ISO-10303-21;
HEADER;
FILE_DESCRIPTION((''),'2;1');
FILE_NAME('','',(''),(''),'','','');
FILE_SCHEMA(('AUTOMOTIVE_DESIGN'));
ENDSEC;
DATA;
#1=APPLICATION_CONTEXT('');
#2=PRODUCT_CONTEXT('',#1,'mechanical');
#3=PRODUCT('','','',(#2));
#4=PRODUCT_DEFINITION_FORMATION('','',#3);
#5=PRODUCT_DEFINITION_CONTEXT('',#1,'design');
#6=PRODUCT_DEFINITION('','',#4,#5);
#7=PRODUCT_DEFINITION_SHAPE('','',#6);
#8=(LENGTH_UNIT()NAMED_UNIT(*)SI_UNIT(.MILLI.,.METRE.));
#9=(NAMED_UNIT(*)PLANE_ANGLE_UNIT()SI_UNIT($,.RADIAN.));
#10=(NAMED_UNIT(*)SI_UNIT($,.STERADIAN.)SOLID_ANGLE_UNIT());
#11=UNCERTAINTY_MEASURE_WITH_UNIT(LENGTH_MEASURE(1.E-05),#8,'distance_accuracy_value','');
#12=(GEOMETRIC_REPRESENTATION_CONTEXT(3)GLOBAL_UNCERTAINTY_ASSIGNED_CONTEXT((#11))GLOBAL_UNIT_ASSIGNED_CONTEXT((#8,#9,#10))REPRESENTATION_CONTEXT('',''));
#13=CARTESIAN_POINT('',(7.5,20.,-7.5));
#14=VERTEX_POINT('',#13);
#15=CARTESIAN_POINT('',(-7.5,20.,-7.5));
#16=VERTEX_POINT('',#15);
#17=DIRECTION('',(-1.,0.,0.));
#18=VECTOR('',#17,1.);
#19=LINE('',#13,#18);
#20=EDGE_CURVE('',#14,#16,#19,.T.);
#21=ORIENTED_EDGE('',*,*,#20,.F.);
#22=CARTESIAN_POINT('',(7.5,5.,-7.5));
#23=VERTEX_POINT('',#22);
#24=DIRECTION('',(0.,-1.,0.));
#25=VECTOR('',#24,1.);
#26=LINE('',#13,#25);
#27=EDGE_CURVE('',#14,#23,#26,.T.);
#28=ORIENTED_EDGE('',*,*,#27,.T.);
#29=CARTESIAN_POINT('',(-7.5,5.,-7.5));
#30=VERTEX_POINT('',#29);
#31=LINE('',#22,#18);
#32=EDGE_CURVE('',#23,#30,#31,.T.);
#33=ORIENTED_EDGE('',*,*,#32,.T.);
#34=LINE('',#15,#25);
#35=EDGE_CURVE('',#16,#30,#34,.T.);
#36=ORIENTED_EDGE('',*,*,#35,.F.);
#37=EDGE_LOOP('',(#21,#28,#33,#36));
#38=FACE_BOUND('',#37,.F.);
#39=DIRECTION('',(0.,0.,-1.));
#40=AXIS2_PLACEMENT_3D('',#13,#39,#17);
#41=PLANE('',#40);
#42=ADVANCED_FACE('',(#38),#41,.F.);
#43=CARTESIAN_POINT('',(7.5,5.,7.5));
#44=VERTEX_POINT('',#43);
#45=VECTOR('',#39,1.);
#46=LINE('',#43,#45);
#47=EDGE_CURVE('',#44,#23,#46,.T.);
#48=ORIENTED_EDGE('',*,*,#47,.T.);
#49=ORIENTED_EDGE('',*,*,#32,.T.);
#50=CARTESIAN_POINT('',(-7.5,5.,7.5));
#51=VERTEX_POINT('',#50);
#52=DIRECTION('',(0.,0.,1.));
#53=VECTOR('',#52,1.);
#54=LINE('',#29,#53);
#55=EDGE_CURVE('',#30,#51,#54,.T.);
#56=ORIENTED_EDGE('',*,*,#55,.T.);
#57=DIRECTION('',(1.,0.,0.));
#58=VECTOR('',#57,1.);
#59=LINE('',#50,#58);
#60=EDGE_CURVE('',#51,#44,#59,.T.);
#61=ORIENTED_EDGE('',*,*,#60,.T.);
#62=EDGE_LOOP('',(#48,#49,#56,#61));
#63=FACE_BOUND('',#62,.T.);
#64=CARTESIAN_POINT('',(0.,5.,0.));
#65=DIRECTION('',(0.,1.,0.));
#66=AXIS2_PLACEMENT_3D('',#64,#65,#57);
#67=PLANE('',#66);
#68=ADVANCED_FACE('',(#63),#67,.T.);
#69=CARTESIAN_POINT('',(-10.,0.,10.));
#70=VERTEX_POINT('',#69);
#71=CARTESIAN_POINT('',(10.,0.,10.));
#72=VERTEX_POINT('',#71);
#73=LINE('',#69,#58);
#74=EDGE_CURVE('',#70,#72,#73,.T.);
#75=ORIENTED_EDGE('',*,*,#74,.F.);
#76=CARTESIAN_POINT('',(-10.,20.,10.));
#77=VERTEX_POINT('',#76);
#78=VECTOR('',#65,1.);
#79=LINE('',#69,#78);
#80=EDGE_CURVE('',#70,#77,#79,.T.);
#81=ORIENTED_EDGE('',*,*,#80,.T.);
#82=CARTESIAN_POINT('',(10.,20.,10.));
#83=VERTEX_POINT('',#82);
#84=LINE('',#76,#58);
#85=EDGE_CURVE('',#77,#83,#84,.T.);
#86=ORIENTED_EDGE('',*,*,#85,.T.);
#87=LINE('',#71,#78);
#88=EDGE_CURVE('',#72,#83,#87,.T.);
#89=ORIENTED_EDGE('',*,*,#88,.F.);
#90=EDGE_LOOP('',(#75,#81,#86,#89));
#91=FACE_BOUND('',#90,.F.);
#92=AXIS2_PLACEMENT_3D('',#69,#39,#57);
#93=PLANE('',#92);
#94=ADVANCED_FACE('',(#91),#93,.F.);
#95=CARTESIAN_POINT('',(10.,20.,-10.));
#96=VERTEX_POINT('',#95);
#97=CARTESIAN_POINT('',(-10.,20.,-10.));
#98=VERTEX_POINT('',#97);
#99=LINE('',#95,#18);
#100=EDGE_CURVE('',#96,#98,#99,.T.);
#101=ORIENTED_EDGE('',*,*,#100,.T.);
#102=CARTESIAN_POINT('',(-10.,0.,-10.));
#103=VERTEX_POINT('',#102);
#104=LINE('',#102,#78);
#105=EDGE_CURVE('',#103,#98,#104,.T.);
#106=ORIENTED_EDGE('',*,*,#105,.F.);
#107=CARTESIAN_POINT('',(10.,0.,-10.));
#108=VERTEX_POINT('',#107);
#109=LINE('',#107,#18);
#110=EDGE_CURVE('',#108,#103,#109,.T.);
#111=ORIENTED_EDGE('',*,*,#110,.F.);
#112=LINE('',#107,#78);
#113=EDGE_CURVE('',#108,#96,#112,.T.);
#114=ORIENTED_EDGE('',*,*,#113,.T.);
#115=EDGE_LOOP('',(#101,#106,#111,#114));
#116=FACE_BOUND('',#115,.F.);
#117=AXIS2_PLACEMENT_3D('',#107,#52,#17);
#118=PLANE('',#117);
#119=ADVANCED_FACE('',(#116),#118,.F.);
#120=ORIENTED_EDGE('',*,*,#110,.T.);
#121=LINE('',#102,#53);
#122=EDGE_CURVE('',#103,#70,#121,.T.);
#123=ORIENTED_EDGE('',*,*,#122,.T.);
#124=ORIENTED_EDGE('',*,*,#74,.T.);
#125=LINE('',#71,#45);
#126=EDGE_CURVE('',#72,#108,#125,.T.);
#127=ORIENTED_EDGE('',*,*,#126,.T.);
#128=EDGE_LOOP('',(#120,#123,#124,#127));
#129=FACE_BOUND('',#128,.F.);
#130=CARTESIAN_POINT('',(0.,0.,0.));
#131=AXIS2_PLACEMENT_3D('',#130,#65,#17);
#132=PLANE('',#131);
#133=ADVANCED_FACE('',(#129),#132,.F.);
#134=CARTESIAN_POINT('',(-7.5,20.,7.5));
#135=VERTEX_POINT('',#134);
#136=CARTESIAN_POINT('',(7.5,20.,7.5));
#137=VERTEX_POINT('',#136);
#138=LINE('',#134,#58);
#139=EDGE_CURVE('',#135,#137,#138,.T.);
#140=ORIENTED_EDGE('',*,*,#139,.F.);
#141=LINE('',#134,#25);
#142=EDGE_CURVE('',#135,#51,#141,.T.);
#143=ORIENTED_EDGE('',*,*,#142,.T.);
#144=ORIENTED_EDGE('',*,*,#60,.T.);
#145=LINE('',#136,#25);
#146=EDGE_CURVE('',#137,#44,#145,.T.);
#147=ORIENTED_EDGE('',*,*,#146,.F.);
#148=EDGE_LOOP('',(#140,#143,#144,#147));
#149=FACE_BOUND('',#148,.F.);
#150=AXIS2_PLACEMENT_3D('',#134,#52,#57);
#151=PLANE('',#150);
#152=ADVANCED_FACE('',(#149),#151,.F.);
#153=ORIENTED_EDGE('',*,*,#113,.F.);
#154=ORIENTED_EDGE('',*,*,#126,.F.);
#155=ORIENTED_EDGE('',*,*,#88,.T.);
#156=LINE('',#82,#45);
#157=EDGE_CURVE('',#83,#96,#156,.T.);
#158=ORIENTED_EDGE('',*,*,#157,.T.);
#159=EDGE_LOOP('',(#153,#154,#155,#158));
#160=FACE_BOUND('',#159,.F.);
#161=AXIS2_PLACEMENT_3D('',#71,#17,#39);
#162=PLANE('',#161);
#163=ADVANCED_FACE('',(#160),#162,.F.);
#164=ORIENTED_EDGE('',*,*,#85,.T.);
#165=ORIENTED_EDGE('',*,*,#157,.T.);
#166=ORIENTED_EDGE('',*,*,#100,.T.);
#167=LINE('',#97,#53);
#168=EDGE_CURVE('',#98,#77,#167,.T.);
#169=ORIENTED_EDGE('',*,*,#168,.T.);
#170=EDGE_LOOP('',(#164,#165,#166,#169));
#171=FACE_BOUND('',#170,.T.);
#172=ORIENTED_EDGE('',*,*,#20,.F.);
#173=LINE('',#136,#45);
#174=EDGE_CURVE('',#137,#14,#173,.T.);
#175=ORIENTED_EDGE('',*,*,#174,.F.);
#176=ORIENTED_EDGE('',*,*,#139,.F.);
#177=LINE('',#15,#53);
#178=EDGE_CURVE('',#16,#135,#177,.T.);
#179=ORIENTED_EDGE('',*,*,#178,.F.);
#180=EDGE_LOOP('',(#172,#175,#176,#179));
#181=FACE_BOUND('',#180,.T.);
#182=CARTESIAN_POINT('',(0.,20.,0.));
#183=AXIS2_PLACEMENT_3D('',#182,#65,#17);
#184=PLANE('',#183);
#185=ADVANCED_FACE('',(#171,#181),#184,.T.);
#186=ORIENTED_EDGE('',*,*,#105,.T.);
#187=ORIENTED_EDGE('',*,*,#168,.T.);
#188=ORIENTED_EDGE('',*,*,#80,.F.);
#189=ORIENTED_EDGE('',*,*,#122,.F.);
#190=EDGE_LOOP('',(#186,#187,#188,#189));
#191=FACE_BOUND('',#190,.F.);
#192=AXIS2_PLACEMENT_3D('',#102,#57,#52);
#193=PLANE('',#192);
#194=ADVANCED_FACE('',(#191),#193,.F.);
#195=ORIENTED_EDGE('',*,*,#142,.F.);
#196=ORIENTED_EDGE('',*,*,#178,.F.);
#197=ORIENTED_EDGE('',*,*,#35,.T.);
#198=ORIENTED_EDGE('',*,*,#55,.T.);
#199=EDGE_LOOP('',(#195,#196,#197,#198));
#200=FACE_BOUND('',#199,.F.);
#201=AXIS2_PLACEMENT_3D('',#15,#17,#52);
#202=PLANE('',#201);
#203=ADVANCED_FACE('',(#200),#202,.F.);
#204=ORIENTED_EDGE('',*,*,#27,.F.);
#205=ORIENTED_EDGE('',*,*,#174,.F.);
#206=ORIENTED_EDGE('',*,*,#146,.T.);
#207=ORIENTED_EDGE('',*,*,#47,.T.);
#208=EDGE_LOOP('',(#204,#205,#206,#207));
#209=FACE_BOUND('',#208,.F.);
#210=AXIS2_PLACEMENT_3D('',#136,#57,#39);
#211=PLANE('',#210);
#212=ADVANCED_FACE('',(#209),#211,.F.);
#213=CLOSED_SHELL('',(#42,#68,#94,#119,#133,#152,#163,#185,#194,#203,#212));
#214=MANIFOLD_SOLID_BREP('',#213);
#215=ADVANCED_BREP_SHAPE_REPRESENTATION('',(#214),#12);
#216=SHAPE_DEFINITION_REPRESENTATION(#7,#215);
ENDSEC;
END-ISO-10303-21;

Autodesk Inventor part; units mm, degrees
ref_plane "YZ Plane" through (0, 0, 0) normal (1, 0, 0) x (0, 1, 0)
ref_plane "XZ Plane" through (0, 0, 0) normal (0, 1, 0) x (-1, 0, 0)
ref_plane "XY Plane" through (0, 0, 0) normal (0, 0, 1) x (1, 0, 0)
sketch "Sketch1" plane through (0, 0, 0) normal (0, 1, 0) x (-1, 0, 0)
  line L0 (-10, -10) -> (10, -10)
  line L1 (10, -10) -> (10, 10)
  line L2 (10, 10) -> (-10, 10)
  line L3 (-10, 10) -> (-10, -10)
  line L4 (-10, -10) -> (10, 10) construction
  line L5 (10, -10) -> (-10, 10) construction
  point P0 (0, 0)
  dimension "d0" = 20
  dimension "d1" = 20
extrude "Extrusion1" add sketch "Sketch1" along normal blind 20
sketch "Sketch2" plane through (0, 20, 0) normal (0, 1, 0) x (1, 0, 0)
  line L0 (7.5, 7.5) -> (-7.5, 7.5)
  line L1 (-7.5, 7.5) -> (-7.5, -7.5)
  line L2 (-7.5, -7.5) -> (7.5, -7.5)
  line L3 (7.5, -7.5) -> (7.5, 7.5)
  line L4 (7.5, 7.5) -> (-7.5, -7.5) construction
  line L5 (-7.5, 7.5) -> (7.5, -7.5) construction
  point P0 (0, 0)
  dimension "d4" = 15
  dimension "d5" = 15
extrude "Extrusion2" cut sketch "Sketch2" against normal blind 15
properties part number "cube"
